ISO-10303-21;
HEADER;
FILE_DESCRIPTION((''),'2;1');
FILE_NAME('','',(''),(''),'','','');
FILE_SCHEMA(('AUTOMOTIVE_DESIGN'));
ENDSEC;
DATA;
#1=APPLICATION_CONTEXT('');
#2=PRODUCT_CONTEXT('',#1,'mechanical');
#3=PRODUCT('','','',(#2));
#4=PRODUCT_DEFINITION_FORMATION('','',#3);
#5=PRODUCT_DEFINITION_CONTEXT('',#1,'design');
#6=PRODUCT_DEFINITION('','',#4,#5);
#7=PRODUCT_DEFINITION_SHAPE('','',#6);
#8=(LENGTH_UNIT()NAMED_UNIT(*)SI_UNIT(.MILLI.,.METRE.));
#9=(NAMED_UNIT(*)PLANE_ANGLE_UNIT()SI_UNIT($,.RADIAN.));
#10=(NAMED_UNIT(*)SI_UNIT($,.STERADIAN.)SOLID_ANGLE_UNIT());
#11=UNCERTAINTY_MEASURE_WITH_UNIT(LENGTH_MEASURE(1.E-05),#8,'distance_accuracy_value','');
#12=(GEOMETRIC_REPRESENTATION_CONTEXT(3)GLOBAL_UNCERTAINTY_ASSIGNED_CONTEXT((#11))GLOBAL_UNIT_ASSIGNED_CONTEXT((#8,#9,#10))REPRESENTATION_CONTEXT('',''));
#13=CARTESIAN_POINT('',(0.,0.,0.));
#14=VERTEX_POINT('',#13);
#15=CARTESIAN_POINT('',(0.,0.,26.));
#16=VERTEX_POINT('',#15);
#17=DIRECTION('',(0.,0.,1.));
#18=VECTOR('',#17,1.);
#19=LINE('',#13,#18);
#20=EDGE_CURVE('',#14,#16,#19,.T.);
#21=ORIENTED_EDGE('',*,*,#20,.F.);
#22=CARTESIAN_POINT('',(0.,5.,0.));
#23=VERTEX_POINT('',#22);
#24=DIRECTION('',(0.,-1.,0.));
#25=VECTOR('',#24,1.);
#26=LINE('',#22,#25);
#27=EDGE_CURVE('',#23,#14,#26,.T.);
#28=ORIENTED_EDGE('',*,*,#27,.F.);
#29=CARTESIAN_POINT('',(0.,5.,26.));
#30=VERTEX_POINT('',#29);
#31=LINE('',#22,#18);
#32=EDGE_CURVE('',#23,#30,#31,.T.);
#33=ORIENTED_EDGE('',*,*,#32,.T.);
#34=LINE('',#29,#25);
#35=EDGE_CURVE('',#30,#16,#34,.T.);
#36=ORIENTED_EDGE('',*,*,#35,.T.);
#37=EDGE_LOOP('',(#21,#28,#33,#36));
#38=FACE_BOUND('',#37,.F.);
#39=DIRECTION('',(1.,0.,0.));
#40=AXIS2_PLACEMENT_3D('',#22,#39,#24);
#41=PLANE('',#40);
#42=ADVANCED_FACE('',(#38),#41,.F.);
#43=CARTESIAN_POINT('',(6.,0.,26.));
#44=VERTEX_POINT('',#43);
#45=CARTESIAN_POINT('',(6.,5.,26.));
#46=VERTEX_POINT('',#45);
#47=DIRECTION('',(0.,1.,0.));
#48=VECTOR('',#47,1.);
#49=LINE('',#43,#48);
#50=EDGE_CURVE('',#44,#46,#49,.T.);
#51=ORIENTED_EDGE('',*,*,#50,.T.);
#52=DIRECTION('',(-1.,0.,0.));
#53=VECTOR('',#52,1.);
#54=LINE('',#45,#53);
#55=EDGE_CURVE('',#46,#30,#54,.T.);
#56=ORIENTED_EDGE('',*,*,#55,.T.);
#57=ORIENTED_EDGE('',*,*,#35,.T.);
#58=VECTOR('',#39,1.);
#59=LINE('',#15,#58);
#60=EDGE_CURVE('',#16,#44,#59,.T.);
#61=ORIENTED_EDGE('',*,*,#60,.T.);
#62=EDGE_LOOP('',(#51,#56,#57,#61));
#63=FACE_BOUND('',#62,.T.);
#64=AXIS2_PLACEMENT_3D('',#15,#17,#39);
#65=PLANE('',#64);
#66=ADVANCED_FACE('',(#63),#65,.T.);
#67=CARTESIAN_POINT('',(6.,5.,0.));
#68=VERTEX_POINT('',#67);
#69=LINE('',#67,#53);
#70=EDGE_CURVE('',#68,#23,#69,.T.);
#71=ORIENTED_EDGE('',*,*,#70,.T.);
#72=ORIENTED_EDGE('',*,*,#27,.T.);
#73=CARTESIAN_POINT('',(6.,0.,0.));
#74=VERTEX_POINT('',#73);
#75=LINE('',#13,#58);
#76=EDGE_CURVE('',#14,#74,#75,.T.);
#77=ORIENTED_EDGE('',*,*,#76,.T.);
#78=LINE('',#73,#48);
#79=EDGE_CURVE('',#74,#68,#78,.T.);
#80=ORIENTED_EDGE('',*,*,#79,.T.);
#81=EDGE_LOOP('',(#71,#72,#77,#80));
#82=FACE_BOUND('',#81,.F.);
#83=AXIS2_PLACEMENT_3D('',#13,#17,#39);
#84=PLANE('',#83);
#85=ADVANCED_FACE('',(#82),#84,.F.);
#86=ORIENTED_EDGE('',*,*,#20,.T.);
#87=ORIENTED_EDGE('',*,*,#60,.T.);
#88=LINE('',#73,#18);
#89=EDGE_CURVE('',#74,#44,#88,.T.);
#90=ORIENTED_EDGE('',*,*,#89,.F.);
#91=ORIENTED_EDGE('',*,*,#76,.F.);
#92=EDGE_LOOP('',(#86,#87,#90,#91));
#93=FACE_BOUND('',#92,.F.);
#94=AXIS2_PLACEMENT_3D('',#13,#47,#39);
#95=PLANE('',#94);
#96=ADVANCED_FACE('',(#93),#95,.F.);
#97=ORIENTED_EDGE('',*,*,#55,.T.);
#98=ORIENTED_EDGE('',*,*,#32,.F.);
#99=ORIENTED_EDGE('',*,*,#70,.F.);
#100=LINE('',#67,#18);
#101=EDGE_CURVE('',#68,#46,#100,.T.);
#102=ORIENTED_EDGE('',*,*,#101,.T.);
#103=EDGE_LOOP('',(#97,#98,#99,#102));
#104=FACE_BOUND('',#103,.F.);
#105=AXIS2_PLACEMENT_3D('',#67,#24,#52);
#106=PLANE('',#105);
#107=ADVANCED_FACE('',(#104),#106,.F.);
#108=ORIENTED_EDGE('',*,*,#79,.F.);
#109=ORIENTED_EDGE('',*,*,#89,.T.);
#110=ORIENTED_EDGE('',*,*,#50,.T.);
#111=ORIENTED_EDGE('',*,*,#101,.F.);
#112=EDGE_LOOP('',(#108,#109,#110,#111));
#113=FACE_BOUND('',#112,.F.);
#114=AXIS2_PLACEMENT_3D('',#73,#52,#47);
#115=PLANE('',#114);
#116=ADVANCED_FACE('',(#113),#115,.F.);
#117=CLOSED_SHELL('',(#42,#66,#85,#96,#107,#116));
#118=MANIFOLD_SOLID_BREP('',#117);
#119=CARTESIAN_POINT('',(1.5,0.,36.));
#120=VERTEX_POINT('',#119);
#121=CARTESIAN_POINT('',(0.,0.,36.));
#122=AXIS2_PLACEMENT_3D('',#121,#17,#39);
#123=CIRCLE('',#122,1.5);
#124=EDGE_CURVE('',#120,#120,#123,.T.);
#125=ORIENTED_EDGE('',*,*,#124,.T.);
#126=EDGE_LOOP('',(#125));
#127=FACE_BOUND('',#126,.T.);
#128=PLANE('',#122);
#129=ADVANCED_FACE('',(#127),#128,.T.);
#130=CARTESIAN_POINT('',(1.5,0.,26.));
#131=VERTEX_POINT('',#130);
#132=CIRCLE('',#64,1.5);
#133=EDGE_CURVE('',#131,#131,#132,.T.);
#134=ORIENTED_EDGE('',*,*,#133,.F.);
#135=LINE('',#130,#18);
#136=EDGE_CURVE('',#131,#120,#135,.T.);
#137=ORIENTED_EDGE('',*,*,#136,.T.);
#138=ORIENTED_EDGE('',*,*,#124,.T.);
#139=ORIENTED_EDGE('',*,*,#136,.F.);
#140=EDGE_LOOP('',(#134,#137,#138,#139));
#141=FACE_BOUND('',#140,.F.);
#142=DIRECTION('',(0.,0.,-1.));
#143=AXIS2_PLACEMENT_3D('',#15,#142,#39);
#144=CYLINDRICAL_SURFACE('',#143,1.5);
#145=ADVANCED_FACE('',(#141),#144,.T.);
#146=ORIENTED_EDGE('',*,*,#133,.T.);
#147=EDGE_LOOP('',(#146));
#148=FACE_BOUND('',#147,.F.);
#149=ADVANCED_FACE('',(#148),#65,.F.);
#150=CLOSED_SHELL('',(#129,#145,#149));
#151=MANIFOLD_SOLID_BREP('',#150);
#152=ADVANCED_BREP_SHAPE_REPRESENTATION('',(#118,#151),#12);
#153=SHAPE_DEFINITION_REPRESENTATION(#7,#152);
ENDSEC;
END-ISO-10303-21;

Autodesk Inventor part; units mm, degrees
ref_plane "YZ Plane" through (0, 0, 0) normal (1, 0, 0) x (0, 1, 0)
ref_plane "XZ Plane" through (0, 0, 0) normal (0, 1, 0) x (-1, 0, 0)
sketch "Skizze1" plane through (0, 0, 0) normal (0, 0, 1) x (1, 0, 0)
  line L0 (0, 0) -> (6, 0)
  line L1 (6, 0) -> (6, 5)
  line L2 (6, 5) -> (0, 5)
  line L3 (0, 5) -> (0, 0)
extrude "Extrusion1" add sketch "Skizze1" along normal blind 26
ref_plane "Arbeitsebene1" through (0, 0, 26) normal (0, 0, 1) x (1, 0, 0)
sketch "Skizze2" plane through (0, 0, 26) normal (0, 0, 1) x (1, 0, 0)
  circle A0 centre (0, 0) radius 1.5
extrude "Extrusion2" add sketch "Skizze2" along normal blind 10 separate body
properties part number "Motor_N20"
